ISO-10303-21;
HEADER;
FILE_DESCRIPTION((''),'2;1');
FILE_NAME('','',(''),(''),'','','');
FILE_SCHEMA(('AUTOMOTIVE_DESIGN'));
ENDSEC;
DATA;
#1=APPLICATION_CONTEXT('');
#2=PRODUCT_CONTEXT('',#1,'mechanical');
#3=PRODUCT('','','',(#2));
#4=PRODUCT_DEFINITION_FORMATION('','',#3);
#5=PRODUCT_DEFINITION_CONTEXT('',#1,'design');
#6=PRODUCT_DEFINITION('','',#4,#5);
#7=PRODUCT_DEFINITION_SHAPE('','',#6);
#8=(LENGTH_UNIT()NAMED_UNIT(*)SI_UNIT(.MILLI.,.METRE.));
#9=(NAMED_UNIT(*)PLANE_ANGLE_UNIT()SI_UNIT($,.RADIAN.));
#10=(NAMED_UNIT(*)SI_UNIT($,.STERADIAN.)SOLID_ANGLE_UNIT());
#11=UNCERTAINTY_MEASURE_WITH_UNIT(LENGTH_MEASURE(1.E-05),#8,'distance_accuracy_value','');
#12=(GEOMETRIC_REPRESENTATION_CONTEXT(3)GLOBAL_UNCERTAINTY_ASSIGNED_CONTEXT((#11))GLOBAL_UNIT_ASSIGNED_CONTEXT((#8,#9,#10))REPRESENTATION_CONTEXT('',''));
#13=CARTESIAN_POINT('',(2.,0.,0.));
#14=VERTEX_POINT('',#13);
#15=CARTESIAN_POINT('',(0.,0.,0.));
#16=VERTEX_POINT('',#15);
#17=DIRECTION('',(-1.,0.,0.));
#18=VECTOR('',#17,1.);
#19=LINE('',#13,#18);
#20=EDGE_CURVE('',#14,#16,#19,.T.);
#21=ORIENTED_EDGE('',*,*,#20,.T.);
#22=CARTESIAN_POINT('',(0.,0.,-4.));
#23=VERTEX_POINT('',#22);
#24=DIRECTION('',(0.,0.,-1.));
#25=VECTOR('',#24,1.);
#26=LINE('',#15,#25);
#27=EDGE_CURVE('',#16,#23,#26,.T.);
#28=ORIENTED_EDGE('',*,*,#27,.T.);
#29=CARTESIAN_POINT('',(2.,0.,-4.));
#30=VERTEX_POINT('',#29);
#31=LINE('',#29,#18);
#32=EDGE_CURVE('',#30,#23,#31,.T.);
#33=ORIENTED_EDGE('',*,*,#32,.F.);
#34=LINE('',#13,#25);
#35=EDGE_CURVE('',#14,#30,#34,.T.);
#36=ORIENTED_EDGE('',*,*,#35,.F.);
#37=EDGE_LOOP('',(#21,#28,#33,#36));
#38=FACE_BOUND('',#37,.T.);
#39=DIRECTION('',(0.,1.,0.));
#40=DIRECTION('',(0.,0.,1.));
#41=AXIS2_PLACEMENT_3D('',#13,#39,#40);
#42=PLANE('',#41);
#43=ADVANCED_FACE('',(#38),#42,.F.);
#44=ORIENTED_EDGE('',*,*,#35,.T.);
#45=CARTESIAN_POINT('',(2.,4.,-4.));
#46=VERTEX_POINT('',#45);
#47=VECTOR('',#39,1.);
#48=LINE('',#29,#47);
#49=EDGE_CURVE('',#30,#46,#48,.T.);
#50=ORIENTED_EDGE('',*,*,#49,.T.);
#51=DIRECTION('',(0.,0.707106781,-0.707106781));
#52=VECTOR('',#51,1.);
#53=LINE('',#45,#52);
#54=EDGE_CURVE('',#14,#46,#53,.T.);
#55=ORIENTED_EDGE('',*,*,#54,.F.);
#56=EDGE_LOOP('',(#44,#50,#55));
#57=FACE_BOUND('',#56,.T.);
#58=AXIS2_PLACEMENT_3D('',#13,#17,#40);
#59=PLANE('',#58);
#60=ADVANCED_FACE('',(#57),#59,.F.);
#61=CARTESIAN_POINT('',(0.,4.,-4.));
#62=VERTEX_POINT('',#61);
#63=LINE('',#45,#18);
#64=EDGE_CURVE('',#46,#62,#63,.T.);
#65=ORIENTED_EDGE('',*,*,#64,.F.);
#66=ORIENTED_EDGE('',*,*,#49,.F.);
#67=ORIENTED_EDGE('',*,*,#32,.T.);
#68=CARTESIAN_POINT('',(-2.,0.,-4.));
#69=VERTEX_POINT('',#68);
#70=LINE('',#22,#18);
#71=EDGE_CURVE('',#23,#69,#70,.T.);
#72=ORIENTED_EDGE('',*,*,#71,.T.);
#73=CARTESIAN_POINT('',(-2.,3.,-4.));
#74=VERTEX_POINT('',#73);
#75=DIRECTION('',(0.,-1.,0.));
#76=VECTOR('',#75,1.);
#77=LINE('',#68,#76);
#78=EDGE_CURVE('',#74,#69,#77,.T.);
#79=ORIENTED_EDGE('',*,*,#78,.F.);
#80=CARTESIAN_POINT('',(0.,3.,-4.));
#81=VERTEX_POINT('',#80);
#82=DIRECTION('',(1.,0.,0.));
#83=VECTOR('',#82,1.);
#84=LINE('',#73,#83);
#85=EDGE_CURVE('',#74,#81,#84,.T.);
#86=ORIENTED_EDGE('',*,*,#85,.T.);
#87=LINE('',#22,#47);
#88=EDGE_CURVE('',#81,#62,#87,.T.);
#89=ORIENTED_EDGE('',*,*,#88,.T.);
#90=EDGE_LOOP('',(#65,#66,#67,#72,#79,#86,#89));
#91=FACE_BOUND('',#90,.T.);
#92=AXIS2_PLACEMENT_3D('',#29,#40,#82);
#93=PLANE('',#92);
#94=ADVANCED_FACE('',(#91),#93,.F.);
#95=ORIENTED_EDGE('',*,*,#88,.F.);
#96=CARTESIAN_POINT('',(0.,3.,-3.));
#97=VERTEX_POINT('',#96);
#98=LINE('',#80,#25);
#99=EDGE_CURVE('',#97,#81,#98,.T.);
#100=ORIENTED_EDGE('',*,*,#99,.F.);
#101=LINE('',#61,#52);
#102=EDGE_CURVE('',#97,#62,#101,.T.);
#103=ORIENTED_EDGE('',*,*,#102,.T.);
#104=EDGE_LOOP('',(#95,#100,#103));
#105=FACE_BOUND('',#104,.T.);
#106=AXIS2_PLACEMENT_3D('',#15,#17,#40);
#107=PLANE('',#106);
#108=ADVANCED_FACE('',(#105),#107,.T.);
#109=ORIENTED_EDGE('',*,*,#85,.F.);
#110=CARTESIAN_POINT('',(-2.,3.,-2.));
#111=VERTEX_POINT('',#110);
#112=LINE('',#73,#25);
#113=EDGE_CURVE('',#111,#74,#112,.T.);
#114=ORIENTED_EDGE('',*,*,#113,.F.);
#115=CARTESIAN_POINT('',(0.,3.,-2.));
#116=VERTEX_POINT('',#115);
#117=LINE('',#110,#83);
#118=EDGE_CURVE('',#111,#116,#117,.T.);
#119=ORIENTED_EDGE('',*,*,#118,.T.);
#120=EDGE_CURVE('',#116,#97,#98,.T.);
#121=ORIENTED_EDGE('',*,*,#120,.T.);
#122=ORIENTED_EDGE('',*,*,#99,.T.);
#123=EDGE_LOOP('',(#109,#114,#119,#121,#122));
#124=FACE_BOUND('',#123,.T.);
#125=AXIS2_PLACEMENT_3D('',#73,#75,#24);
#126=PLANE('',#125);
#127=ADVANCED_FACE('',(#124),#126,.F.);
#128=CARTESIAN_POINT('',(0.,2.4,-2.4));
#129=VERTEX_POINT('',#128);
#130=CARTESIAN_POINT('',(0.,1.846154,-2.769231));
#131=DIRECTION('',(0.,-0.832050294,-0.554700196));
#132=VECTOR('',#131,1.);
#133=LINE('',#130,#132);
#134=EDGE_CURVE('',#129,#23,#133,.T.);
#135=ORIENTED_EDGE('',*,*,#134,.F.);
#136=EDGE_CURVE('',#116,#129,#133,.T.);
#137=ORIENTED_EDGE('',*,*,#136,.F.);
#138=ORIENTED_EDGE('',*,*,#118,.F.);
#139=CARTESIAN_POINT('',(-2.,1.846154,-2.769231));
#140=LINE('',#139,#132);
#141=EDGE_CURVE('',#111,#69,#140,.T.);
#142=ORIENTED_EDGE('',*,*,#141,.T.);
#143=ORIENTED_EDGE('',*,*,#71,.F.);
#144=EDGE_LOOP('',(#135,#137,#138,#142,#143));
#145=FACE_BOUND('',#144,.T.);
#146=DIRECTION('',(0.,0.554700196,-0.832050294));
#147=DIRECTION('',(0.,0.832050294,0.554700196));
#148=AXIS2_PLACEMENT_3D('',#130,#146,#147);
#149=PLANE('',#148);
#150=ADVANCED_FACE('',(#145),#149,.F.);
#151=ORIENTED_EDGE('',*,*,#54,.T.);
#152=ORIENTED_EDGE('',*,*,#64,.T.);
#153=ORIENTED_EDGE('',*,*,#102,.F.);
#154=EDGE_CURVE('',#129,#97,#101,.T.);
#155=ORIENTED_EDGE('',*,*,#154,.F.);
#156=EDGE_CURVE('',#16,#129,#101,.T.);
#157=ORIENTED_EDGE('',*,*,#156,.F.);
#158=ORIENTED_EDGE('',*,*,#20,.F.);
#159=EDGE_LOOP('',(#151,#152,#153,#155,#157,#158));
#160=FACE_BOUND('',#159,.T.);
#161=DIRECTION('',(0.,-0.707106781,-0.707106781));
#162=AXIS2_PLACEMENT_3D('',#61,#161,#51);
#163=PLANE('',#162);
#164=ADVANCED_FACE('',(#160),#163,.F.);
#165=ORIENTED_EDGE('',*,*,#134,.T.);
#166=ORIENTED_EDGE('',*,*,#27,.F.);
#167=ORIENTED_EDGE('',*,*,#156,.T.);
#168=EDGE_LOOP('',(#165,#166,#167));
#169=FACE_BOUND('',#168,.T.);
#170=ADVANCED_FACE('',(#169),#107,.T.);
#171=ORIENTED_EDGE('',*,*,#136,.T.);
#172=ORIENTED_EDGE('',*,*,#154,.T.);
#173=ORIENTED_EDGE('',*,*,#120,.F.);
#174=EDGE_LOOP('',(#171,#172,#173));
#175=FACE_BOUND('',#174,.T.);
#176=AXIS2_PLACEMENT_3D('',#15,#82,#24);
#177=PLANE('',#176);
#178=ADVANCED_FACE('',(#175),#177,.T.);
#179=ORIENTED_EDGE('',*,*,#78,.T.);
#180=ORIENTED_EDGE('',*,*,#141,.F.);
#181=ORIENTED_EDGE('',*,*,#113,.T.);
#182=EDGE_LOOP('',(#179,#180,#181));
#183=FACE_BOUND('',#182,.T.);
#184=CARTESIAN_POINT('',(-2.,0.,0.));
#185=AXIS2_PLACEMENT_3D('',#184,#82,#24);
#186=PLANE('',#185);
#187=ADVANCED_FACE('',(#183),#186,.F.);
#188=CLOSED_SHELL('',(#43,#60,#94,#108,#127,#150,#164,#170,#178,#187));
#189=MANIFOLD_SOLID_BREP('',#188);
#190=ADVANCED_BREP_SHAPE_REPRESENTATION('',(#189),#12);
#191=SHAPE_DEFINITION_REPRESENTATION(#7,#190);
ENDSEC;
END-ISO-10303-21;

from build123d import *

# Parameters (mm, degrees)
SKETCH1_W           = 4
SKETCH1_H           = 4
BOSS_EXTRUDE1_DEPTH = 2
SKETCH2_W           = 2
SKETCH2_H           = 3
BOSS_EXTRUDE2_DEPTH = 2
CUT_EXTRUDE1_DEPTH  = 2
CUT_EXTRUDE2_DEPTH  = 2


with BuildPart() as part:
    # Sketch1 → Boss-Extrude1 (new body)
    with BuildSketch(Plane(origin=(0, 0, 0), x_dir=(0, 0, -1), z_dir=(1, 0, 0))):
        with Locations((2, 2)):
            Rectangle(SKETCH1_W, SKETCH1_H)
    extrude(amount=BOSS_EXTRUDE1_DEPTH)

    # Sketch2 → Boss-Extrude2 (add)
    with BuildSketch(Plane.ZY):
        with Locations((-3, 1.5)):
            Rectangle(SKETCH2_W, SKETCH2_H)
    extrude(amount=BOSS_EXTRUDE2_DEPTH)

    # Sketch3 → Cut-Extrude1 (cut)
    with BuildSketch(Plane.ZY.offset(2)):
        Polygon((-2, 3), (-4, 0), (-2, 0), align=None)
    extrude(amount=-CUT_EXTRUDE1_DEPTH, mode=Mode.SUBTRACT)

    # Sketch4 → Cut-Extrude2 (cut)
    with BuildSketch(Plane(origin=(2, 0, 0), x_dir=(0, 0, -1), z_dir=(1, 0, 0))):
        Polygon((4, 4), (0, 0), (0, 4), align=None)
    extrude(amount=-CUT_EXTRUDE2_DEPTH, mode=Mode.SUBTRACT)


solid = part.part
